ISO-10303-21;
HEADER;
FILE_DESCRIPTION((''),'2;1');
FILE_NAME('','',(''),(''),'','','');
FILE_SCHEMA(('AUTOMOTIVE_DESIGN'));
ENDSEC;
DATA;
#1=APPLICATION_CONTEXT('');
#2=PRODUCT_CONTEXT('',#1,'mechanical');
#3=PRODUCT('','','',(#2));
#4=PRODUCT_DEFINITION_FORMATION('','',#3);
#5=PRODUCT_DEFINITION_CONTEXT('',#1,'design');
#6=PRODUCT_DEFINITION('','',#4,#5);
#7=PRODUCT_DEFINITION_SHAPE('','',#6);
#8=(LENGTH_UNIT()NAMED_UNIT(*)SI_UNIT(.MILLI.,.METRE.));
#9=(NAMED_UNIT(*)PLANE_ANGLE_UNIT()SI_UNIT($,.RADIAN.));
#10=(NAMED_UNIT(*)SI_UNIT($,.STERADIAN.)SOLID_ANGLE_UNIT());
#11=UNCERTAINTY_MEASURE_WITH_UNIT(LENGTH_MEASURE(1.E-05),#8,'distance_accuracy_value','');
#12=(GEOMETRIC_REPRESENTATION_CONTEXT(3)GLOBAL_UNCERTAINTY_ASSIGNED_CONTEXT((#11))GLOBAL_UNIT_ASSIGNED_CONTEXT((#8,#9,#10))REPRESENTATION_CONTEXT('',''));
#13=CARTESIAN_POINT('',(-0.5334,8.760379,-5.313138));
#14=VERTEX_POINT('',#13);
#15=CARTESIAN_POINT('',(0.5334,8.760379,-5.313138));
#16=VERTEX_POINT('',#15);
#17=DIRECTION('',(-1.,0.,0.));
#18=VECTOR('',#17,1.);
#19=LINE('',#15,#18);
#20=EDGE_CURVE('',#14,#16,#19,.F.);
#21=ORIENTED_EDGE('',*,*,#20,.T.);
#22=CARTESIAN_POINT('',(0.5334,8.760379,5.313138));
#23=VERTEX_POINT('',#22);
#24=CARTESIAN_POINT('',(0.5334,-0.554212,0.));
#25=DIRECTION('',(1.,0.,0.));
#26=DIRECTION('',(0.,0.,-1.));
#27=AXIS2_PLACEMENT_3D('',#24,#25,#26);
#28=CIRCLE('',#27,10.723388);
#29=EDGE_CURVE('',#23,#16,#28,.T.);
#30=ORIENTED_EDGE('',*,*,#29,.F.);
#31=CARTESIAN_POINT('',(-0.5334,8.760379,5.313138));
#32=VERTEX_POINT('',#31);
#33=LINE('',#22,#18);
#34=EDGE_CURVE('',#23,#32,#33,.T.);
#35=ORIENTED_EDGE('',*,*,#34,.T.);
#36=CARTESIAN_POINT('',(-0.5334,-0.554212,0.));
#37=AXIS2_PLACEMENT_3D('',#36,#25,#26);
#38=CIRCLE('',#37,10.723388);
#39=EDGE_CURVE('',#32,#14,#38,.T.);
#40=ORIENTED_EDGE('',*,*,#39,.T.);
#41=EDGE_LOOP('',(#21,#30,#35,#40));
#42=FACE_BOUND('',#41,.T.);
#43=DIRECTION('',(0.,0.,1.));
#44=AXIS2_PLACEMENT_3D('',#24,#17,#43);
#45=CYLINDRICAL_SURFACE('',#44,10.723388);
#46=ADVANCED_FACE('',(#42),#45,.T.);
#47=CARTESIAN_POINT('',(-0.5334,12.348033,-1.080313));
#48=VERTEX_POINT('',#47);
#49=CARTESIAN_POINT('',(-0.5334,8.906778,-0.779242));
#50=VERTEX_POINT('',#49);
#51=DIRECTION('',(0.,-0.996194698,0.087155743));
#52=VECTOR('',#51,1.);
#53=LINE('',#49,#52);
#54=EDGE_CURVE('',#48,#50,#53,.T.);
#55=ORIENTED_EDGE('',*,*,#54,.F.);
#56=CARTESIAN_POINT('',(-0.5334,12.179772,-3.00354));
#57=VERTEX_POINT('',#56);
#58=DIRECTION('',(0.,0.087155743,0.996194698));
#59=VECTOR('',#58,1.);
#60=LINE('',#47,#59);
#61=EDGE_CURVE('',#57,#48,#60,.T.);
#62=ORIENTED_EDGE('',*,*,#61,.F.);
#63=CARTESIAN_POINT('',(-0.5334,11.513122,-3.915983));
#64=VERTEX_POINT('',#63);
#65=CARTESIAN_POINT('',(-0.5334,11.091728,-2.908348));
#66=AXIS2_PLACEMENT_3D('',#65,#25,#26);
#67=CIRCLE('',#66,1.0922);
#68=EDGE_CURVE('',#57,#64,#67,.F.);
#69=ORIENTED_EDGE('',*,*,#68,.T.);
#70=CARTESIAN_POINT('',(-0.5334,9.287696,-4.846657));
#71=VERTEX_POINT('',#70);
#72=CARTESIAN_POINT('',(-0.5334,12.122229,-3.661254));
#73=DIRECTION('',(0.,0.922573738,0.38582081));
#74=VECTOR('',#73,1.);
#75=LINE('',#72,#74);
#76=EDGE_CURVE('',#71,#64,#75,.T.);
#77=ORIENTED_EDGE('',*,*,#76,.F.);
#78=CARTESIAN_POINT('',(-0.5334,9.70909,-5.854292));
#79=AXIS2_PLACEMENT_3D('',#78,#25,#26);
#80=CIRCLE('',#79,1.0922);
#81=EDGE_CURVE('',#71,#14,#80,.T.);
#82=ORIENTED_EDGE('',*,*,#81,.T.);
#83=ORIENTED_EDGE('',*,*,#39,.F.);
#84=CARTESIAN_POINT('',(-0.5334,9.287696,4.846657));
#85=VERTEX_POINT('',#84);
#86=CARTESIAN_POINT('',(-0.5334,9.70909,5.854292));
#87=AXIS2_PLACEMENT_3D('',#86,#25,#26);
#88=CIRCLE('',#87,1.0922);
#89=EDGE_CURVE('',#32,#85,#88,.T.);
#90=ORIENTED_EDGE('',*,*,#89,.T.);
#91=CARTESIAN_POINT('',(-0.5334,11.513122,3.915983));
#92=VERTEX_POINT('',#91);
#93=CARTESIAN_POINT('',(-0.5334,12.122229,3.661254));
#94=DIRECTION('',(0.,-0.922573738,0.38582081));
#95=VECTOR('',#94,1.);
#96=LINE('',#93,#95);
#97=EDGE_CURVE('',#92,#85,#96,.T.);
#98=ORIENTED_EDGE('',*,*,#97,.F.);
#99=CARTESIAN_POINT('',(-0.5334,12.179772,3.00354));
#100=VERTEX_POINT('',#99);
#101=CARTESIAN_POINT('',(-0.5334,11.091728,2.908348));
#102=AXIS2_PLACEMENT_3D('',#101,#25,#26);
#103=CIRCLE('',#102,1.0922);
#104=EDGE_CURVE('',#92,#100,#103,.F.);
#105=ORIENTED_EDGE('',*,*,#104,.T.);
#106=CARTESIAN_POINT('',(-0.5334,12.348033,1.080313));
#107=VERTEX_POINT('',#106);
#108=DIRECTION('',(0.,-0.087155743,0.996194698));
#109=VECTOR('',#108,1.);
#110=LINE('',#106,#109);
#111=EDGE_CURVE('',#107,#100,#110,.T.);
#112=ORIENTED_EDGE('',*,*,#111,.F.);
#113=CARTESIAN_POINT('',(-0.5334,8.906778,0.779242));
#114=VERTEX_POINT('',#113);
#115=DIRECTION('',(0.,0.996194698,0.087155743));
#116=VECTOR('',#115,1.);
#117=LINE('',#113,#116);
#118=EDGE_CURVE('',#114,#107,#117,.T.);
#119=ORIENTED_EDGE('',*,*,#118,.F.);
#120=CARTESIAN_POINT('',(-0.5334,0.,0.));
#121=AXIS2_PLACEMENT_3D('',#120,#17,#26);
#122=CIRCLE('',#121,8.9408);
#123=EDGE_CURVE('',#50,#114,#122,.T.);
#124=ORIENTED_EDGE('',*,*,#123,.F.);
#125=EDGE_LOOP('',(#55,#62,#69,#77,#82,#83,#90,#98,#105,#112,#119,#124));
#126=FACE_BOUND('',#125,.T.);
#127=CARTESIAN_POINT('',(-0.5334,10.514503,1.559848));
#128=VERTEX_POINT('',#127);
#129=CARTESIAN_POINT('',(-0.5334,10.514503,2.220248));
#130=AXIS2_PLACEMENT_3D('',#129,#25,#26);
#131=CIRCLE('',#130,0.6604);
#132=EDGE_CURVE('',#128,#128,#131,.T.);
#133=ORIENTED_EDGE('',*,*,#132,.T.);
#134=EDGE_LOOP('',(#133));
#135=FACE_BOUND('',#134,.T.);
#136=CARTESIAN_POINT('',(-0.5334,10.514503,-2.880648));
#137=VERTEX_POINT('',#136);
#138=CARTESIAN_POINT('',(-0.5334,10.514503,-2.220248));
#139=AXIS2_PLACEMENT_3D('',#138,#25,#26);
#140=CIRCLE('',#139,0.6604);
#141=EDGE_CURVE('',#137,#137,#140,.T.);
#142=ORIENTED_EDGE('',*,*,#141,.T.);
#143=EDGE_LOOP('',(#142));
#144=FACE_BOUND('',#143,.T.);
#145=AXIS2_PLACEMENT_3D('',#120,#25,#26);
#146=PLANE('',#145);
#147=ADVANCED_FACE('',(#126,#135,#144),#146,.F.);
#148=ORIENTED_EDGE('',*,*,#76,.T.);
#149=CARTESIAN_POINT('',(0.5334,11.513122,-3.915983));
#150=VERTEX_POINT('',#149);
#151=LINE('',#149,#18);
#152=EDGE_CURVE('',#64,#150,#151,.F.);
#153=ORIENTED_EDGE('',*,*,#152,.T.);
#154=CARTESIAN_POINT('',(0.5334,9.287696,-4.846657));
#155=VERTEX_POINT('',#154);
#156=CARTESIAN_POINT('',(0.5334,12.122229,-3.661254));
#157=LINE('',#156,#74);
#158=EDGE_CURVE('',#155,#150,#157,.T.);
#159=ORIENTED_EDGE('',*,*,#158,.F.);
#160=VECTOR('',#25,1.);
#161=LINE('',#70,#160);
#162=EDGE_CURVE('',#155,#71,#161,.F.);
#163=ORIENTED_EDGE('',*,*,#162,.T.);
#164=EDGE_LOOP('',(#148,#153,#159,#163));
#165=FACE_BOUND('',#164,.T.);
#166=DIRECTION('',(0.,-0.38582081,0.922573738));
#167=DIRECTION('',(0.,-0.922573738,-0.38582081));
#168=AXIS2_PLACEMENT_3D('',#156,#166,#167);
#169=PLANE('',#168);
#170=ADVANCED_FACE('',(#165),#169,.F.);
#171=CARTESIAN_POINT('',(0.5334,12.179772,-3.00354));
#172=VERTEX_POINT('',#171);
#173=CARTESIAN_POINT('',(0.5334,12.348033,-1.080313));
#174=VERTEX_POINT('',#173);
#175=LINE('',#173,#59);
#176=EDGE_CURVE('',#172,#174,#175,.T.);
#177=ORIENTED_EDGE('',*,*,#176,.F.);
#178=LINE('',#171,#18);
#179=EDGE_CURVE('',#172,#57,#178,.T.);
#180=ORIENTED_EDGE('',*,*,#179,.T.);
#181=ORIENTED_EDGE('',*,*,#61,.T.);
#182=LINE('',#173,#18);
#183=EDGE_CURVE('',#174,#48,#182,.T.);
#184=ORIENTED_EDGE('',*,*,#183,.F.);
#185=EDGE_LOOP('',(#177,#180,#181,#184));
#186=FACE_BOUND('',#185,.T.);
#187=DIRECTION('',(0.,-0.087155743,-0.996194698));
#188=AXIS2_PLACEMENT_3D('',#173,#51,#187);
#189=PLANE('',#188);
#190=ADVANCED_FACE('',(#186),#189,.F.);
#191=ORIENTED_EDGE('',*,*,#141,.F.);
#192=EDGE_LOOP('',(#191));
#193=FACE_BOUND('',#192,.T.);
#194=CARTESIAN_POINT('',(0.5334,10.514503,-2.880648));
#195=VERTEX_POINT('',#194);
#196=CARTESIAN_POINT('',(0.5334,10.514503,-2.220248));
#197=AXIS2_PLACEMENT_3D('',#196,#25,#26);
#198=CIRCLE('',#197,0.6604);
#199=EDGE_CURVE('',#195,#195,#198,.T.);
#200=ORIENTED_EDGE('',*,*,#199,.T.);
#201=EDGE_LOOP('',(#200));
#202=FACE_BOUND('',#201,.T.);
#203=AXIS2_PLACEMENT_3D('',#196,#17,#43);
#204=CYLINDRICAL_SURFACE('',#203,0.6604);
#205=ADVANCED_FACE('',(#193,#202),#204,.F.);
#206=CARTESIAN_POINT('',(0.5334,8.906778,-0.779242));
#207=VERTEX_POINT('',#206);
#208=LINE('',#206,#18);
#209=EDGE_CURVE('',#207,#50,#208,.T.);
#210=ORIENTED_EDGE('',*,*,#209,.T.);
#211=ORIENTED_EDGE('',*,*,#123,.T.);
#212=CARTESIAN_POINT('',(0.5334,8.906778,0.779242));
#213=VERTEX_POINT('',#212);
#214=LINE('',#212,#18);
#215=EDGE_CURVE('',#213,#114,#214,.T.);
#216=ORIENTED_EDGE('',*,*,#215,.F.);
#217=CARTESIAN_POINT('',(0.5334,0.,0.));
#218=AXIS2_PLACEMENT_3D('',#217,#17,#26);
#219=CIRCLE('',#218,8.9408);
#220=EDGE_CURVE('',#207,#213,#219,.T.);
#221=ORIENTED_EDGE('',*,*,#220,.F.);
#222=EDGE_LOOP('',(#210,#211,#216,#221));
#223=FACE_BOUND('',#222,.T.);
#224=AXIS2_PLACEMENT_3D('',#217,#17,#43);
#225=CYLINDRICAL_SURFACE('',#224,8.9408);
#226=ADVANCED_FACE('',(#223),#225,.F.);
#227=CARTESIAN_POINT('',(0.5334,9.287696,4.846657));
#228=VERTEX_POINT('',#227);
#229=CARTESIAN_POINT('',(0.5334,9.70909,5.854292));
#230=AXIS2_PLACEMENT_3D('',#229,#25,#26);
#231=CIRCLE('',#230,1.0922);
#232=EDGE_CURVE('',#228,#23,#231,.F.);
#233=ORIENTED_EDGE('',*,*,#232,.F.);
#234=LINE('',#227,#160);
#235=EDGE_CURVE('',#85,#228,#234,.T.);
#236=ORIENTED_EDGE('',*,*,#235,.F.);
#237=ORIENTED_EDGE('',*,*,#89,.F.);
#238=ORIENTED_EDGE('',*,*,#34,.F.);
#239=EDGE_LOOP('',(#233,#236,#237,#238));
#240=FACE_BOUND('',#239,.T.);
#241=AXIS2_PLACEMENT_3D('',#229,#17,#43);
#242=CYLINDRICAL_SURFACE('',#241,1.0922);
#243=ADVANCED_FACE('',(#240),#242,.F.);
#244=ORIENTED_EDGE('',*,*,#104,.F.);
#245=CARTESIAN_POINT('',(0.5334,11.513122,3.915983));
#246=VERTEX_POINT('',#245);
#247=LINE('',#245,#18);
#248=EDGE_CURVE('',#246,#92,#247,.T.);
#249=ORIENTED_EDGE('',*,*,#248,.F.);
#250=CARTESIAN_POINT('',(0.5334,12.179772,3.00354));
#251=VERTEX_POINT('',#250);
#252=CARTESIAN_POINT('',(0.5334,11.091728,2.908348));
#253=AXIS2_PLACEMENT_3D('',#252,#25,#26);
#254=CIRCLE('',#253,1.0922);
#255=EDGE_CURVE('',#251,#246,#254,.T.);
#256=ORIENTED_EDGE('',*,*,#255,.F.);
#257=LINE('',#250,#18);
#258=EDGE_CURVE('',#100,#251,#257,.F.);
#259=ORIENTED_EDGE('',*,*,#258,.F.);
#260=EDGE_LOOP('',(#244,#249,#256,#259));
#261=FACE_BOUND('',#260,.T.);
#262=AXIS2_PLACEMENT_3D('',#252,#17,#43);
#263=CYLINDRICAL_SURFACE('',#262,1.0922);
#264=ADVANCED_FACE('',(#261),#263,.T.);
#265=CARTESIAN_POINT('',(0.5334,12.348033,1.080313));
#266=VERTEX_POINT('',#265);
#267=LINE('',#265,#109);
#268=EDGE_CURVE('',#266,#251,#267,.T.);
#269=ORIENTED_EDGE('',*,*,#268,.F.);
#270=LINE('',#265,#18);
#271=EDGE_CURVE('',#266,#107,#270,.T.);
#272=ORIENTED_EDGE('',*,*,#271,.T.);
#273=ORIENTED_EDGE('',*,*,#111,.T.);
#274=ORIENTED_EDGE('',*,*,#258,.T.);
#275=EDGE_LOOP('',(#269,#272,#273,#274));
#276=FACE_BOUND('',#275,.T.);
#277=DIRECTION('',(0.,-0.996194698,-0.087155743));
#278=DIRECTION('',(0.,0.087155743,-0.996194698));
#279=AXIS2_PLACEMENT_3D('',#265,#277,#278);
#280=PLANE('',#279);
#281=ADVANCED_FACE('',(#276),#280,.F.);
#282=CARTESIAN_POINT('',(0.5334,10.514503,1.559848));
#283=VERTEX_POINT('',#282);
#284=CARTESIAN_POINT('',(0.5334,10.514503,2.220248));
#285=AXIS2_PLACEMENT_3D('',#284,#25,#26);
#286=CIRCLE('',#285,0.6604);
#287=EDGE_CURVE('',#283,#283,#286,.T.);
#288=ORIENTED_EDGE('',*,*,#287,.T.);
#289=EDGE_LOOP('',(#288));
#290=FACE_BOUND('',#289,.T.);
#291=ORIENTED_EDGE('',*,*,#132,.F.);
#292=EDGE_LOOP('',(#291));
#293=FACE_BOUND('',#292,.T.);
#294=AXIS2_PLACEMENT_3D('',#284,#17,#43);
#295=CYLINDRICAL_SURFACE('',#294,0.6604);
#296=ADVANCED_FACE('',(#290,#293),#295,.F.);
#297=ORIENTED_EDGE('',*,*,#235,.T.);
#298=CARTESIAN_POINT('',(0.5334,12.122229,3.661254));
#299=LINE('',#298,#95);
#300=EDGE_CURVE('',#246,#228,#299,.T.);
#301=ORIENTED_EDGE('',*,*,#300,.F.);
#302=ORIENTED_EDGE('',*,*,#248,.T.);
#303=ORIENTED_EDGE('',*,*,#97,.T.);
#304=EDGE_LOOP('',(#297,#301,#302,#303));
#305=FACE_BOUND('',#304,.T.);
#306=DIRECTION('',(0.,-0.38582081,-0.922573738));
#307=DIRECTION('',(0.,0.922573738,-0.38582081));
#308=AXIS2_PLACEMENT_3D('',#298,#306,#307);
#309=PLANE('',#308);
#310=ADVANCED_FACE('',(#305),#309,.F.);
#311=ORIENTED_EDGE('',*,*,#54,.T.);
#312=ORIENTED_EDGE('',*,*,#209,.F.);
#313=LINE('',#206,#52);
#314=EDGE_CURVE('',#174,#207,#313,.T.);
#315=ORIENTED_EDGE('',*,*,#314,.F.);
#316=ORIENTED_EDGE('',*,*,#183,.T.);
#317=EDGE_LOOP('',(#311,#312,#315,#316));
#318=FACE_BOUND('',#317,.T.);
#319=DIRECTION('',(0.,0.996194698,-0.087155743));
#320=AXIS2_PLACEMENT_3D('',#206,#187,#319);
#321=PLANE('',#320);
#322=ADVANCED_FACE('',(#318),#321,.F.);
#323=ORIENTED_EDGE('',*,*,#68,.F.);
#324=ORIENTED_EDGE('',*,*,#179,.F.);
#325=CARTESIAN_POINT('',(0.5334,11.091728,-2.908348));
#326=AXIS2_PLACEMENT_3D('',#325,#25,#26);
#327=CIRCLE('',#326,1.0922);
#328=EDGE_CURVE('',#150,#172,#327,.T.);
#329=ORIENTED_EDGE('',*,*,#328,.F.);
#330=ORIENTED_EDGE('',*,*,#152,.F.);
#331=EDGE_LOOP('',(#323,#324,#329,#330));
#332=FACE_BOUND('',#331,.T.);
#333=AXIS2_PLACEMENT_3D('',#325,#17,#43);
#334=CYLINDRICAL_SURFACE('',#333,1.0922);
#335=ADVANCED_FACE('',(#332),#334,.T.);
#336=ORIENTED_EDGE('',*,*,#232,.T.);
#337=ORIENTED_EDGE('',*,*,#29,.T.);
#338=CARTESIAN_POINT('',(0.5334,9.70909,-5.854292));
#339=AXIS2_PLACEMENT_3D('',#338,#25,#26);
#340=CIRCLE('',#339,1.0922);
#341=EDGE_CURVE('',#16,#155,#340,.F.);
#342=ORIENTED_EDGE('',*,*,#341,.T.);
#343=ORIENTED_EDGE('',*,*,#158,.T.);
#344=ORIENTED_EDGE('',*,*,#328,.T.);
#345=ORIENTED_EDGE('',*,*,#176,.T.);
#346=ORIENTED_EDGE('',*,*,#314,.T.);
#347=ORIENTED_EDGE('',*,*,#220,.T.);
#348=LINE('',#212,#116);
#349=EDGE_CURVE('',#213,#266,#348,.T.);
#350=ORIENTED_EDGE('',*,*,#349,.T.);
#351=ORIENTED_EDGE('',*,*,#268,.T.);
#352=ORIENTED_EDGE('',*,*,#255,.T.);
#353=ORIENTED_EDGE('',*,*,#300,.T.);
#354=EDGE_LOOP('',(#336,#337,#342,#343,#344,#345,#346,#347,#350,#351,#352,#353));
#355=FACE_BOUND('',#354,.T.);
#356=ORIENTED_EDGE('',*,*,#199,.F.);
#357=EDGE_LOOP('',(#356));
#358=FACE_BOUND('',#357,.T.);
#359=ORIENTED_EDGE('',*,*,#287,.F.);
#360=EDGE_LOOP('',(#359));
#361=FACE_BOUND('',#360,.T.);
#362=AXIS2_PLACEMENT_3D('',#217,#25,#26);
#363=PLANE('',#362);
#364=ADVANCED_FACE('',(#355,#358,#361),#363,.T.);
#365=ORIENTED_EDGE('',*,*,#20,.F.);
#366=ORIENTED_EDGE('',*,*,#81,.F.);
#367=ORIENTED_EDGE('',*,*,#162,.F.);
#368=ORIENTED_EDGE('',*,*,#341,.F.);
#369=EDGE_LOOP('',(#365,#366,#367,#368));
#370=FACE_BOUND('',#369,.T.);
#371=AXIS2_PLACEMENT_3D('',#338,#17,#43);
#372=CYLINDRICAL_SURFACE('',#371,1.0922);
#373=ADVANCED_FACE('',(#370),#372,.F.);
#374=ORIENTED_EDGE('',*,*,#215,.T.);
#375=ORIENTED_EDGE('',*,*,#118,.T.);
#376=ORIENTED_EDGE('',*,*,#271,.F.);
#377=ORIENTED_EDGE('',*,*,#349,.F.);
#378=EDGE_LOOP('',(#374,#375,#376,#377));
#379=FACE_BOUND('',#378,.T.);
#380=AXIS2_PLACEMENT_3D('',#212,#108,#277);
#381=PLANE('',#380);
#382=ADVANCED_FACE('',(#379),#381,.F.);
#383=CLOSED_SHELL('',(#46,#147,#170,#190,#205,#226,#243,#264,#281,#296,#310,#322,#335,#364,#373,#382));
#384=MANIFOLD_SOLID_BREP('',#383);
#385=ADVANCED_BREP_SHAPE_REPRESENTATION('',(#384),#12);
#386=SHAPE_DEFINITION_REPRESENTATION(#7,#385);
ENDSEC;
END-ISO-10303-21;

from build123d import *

# Parameters (mm, degrees)
SKETCH1_R      = 0.6604
EXTRUDE1_DEPTH = 0.5334
FILLET1_R      = 1.0922


with BuildPart() as part:
    # Sketch1 → Extrude1 (new, symmetric)
    with BuildSketch(Plane(origin=(0, 0, 0), x_dir=(0, 0, -1), z_dir=(1, 0, 0))):
        with BuildLine():
            Line((-0.779242065, 8.906777557), (-1.080312863, 12.348032522))
            Line((-1.080312863, 12.348032522), (-3.661254086, 12.122229423))
            Line((-3.661254086, 12.122229423), (-4.994033492, 8.935290702))
            ThreePointArc((-4.994033492, 8.935290702), (0, -11.2776), (4.994033492, 8.935290702))
            Line((4.994033492, 8.935290702), (3.661254086, 12.122229423))
            Line((3.661254086, 12.122229423), (1.080312863, 12.348032522))
            Line((1.080312863, 12.348032522), (0.779242065, 8.906777557))
            ThreePointArc((0.779242065, 8.906777557), (0, -8.9408), (-0.779242065, 8.906777557))
        make_face()
        with Locations((-2.220248076, 10.51450349)):
            Circle(SKETCH1_R, mode=Mode.SUBTRACT)
        with Locations((2.220248076, 10.51450349)):
            Circle(SKETCH1_R, mode=Mode.SUBTRACT)
    extrude(amount=EXTRUDE1_DEPTH, both=True)

    # Fillet1
    fillet1_edges = [part.edges().sort_by_distance(p)[0] for p in [
        (0, 12.122229423, -3.661254086),
        (0, 8.935290702, -4.994033492),
        (0, 8.935290702, 4.994033492),
        (0, 12.122229423, 3.661254086),
    ]]
    fillet(fillet1_edges, radius=FILLET1_R)


solid = part.part
